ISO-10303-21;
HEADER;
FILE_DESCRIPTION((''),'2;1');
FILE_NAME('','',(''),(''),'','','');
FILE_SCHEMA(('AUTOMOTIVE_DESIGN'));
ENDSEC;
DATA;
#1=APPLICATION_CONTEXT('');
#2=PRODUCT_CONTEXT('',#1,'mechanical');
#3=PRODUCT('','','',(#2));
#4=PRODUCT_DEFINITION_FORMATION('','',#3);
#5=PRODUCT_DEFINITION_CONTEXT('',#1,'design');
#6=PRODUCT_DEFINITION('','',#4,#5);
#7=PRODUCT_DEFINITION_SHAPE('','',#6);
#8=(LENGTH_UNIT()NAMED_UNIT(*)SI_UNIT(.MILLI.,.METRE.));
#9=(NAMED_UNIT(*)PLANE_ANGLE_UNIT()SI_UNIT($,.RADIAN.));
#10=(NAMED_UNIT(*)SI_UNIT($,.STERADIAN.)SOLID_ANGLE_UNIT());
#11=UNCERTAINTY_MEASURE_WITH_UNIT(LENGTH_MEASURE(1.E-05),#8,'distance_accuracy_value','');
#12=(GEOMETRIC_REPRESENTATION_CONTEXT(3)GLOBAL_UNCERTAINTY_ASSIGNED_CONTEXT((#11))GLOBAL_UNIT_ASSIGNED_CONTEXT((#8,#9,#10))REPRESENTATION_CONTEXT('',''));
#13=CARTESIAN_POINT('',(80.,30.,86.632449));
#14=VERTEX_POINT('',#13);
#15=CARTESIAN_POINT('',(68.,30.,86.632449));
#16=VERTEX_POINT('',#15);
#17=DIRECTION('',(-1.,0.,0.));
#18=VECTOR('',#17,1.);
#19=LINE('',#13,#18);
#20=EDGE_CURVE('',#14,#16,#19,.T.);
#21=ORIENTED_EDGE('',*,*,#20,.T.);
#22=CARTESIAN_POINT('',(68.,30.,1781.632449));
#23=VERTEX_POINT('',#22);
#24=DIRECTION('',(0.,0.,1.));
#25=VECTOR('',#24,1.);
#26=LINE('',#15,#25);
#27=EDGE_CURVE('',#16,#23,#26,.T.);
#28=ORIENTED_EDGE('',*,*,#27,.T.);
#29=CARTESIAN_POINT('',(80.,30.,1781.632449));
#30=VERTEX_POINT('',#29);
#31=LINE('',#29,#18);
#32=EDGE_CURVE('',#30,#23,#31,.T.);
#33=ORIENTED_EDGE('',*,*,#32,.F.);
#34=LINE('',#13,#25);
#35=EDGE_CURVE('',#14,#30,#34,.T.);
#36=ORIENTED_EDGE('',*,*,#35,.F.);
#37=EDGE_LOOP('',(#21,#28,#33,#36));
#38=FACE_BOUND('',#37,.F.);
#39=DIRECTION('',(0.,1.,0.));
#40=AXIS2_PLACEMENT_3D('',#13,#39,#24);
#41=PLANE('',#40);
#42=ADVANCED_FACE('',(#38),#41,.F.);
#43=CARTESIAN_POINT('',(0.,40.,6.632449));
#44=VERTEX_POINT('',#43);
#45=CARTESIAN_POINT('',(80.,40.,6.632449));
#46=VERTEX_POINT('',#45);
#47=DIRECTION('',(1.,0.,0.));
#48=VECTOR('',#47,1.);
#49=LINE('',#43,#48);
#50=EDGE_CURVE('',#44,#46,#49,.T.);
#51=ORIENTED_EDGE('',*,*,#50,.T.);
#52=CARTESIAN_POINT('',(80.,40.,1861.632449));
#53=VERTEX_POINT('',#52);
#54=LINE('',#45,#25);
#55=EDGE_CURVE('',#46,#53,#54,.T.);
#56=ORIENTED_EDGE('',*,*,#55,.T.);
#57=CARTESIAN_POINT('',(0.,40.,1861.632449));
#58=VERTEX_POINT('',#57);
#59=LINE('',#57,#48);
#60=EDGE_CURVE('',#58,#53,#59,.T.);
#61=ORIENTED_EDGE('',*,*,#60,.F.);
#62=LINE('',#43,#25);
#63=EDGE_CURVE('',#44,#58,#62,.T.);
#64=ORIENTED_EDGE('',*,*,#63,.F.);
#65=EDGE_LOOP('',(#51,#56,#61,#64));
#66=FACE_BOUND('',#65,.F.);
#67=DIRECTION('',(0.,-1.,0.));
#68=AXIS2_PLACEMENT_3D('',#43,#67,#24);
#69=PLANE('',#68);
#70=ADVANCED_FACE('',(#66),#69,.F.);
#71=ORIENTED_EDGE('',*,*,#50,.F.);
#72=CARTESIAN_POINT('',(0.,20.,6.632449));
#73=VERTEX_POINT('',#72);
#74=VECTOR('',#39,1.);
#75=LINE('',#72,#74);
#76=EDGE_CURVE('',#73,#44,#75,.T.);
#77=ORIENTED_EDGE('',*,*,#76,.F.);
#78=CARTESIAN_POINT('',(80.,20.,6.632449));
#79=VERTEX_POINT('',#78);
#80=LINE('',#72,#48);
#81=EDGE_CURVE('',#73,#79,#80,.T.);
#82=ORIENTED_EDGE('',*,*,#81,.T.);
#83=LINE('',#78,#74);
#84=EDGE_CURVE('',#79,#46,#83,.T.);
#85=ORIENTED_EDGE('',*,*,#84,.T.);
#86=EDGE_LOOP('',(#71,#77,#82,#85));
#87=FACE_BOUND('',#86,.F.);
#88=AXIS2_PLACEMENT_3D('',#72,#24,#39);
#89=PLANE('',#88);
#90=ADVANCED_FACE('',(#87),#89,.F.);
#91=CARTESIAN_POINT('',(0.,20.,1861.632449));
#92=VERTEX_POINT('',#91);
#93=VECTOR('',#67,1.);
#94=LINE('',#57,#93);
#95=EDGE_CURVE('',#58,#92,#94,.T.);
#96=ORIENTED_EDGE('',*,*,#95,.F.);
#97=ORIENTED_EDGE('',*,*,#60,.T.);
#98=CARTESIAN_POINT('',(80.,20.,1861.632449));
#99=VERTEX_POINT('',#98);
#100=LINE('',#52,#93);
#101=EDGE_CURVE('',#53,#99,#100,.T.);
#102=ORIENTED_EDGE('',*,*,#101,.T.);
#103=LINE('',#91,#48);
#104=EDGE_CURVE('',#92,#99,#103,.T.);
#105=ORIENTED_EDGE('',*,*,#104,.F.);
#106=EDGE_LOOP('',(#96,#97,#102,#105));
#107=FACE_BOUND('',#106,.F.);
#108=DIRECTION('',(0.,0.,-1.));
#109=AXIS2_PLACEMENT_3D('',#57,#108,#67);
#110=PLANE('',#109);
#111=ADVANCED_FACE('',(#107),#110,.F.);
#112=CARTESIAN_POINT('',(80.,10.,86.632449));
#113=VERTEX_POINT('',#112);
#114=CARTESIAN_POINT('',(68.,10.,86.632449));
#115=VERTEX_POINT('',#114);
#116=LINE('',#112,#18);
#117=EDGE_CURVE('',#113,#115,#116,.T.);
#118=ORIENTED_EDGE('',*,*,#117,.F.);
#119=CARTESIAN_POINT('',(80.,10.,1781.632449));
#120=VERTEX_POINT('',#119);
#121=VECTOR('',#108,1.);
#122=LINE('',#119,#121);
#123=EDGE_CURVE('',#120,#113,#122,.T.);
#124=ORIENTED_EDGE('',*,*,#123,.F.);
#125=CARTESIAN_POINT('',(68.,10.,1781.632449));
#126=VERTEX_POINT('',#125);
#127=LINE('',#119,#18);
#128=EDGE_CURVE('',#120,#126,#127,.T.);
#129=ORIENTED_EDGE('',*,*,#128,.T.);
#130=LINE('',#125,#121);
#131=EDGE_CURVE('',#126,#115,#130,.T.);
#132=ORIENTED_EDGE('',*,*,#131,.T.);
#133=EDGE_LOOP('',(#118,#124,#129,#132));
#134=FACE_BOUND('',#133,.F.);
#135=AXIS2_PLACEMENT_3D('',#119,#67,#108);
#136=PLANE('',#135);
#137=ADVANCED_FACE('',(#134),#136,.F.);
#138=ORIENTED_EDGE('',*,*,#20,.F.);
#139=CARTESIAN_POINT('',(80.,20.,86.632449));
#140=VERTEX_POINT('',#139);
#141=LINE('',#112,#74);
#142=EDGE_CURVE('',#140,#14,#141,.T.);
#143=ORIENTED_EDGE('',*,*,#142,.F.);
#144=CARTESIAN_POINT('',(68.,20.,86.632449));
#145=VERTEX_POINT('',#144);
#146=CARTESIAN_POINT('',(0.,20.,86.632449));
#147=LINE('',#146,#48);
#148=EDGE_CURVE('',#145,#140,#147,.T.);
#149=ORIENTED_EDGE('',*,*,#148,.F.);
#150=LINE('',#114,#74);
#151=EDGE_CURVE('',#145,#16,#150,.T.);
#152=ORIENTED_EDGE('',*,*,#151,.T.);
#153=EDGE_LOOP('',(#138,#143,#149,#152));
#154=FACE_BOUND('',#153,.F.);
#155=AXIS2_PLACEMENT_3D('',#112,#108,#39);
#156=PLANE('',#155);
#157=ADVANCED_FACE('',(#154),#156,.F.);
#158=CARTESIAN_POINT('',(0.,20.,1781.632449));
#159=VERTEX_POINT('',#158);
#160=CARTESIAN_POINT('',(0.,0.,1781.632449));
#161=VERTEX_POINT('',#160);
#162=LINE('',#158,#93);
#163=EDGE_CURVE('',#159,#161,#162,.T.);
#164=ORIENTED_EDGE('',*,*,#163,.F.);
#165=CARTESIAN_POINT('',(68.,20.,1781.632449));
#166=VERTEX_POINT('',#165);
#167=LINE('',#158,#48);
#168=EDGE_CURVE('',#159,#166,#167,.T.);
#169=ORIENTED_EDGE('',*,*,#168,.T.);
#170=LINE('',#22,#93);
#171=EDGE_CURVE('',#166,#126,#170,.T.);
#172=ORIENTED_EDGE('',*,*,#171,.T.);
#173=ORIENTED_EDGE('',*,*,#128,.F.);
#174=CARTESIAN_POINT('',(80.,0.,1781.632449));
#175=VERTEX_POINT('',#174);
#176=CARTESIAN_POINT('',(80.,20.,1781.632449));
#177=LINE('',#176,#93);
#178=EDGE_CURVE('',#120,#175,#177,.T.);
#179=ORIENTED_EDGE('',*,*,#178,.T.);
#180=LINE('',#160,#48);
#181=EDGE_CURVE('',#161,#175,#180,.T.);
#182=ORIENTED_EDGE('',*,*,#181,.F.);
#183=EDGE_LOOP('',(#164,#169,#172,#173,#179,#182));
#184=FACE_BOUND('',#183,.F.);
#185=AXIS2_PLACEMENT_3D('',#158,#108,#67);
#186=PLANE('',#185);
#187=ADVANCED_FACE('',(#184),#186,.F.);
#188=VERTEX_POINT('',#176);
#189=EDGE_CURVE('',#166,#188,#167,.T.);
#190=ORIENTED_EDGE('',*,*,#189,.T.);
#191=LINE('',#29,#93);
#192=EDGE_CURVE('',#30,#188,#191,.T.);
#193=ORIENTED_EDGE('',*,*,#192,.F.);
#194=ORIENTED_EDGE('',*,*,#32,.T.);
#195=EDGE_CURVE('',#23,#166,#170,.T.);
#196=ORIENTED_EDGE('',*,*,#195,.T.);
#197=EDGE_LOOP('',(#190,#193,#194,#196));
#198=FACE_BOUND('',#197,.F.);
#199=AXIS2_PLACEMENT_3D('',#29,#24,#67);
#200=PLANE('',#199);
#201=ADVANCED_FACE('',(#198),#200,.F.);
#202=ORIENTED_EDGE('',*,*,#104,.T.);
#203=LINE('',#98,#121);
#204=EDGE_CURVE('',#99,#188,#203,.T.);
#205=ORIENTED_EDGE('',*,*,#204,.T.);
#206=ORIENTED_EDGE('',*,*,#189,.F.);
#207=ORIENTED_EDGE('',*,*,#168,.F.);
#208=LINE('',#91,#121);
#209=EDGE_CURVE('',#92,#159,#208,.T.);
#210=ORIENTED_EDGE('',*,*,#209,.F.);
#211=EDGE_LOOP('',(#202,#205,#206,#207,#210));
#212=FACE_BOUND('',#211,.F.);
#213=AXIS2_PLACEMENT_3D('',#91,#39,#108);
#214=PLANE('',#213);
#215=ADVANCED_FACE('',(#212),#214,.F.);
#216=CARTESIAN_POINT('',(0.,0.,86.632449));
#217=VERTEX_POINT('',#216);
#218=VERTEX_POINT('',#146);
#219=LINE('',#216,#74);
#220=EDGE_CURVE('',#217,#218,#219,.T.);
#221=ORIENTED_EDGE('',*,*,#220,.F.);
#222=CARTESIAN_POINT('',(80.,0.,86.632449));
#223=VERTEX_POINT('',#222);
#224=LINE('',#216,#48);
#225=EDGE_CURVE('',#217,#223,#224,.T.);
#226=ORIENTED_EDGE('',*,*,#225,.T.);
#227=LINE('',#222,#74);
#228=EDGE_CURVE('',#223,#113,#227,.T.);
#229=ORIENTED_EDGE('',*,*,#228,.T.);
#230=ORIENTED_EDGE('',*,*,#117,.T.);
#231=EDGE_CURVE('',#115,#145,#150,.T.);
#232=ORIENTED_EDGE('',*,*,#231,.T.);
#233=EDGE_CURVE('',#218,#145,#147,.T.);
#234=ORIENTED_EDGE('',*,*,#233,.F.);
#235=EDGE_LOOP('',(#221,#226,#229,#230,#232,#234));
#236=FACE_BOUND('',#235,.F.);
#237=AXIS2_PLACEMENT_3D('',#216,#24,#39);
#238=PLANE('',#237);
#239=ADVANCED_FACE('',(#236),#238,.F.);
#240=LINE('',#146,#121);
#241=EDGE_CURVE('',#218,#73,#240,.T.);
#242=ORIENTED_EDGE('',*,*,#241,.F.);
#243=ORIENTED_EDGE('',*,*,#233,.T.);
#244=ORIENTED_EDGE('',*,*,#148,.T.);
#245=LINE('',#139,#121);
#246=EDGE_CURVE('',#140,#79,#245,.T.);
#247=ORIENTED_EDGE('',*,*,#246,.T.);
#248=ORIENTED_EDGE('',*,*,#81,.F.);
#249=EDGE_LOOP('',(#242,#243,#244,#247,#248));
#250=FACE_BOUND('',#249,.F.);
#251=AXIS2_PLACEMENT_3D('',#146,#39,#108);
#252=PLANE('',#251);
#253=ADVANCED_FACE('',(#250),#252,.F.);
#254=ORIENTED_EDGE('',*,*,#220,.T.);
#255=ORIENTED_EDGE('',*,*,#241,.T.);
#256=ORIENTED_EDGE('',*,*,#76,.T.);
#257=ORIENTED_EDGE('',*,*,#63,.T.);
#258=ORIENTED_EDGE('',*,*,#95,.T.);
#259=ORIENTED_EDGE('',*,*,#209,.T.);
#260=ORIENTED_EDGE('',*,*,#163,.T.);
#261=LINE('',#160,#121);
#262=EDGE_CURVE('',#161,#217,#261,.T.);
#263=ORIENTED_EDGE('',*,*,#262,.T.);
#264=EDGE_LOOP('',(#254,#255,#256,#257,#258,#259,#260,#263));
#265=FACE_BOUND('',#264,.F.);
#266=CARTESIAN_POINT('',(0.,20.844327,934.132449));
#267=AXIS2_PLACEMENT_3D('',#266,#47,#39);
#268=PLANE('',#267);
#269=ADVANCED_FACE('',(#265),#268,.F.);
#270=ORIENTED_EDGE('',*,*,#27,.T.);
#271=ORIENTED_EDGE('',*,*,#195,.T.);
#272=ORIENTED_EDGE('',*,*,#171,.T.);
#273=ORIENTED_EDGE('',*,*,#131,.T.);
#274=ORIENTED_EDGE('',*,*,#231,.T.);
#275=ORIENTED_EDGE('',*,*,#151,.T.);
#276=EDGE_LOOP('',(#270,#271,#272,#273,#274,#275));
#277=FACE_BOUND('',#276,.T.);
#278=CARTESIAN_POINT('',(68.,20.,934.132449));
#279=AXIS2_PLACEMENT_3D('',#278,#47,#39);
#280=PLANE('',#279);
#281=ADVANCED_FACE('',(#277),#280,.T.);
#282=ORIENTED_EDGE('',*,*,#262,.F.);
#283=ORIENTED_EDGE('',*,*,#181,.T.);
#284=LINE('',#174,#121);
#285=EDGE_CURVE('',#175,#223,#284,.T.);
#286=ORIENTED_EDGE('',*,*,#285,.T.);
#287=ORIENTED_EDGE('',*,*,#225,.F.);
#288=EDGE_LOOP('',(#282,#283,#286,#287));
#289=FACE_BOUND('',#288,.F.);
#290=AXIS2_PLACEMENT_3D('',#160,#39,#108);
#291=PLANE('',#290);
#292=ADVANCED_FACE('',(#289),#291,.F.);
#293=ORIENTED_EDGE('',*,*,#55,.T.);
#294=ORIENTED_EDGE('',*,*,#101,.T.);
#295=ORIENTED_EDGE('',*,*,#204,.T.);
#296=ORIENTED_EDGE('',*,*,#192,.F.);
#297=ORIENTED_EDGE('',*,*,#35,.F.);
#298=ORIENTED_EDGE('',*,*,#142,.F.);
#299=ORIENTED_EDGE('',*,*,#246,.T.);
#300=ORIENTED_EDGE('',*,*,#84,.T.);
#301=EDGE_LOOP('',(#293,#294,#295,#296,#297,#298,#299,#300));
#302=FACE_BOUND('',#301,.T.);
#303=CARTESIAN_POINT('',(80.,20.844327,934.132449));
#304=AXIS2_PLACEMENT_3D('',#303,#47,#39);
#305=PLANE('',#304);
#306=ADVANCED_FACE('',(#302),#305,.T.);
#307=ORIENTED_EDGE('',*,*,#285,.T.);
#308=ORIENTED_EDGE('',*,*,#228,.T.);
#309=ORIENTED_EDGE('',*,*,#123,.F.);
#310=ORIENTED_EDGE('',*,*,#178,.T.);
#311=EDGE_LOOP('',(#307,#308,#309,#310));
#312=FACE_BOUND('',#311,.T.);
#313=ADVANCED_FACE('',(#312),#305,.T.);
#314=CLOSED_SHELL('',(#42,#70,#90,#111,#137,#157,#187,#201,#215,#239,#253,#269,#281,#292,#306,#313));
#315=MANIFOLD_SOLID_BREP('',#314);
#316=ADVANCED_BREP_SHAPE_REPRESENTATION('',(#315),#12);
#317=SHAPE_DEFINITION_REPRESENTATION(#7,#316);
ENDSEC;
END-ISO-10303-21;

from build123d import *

# Parameters (mm, degrees)
F1_DEPTH = 80
F3_DEPTH = 12


with BuildPart() as f1:
    # F0 (on Right) → F1 (new body)
    with BuildSketch(Plane.YZ):
        Polygon((20, 86.632449), (20, 6.632449), (40, 6.632449), (40, 1861.632449), (20, 1861.632449), (20, 1781.632449), (0, 1781.632449), (0, 86.632449), align=None)
    extrude(amount=F1_DEPTH)

    # F2 (on face) → F3 (cut)
    with BuildSketch(Plane.YZ.offset(80)):
        Polygon((20, 1781.632449), (10, 1781.632449), (10, 86.632449), (20, 86.632449), (30, 86.632449), (30, 1781.632449), align=None)
    extrude(amount=-F3_DEPTH, mode=Mode.SUBTRACT)


solid = f1.part
